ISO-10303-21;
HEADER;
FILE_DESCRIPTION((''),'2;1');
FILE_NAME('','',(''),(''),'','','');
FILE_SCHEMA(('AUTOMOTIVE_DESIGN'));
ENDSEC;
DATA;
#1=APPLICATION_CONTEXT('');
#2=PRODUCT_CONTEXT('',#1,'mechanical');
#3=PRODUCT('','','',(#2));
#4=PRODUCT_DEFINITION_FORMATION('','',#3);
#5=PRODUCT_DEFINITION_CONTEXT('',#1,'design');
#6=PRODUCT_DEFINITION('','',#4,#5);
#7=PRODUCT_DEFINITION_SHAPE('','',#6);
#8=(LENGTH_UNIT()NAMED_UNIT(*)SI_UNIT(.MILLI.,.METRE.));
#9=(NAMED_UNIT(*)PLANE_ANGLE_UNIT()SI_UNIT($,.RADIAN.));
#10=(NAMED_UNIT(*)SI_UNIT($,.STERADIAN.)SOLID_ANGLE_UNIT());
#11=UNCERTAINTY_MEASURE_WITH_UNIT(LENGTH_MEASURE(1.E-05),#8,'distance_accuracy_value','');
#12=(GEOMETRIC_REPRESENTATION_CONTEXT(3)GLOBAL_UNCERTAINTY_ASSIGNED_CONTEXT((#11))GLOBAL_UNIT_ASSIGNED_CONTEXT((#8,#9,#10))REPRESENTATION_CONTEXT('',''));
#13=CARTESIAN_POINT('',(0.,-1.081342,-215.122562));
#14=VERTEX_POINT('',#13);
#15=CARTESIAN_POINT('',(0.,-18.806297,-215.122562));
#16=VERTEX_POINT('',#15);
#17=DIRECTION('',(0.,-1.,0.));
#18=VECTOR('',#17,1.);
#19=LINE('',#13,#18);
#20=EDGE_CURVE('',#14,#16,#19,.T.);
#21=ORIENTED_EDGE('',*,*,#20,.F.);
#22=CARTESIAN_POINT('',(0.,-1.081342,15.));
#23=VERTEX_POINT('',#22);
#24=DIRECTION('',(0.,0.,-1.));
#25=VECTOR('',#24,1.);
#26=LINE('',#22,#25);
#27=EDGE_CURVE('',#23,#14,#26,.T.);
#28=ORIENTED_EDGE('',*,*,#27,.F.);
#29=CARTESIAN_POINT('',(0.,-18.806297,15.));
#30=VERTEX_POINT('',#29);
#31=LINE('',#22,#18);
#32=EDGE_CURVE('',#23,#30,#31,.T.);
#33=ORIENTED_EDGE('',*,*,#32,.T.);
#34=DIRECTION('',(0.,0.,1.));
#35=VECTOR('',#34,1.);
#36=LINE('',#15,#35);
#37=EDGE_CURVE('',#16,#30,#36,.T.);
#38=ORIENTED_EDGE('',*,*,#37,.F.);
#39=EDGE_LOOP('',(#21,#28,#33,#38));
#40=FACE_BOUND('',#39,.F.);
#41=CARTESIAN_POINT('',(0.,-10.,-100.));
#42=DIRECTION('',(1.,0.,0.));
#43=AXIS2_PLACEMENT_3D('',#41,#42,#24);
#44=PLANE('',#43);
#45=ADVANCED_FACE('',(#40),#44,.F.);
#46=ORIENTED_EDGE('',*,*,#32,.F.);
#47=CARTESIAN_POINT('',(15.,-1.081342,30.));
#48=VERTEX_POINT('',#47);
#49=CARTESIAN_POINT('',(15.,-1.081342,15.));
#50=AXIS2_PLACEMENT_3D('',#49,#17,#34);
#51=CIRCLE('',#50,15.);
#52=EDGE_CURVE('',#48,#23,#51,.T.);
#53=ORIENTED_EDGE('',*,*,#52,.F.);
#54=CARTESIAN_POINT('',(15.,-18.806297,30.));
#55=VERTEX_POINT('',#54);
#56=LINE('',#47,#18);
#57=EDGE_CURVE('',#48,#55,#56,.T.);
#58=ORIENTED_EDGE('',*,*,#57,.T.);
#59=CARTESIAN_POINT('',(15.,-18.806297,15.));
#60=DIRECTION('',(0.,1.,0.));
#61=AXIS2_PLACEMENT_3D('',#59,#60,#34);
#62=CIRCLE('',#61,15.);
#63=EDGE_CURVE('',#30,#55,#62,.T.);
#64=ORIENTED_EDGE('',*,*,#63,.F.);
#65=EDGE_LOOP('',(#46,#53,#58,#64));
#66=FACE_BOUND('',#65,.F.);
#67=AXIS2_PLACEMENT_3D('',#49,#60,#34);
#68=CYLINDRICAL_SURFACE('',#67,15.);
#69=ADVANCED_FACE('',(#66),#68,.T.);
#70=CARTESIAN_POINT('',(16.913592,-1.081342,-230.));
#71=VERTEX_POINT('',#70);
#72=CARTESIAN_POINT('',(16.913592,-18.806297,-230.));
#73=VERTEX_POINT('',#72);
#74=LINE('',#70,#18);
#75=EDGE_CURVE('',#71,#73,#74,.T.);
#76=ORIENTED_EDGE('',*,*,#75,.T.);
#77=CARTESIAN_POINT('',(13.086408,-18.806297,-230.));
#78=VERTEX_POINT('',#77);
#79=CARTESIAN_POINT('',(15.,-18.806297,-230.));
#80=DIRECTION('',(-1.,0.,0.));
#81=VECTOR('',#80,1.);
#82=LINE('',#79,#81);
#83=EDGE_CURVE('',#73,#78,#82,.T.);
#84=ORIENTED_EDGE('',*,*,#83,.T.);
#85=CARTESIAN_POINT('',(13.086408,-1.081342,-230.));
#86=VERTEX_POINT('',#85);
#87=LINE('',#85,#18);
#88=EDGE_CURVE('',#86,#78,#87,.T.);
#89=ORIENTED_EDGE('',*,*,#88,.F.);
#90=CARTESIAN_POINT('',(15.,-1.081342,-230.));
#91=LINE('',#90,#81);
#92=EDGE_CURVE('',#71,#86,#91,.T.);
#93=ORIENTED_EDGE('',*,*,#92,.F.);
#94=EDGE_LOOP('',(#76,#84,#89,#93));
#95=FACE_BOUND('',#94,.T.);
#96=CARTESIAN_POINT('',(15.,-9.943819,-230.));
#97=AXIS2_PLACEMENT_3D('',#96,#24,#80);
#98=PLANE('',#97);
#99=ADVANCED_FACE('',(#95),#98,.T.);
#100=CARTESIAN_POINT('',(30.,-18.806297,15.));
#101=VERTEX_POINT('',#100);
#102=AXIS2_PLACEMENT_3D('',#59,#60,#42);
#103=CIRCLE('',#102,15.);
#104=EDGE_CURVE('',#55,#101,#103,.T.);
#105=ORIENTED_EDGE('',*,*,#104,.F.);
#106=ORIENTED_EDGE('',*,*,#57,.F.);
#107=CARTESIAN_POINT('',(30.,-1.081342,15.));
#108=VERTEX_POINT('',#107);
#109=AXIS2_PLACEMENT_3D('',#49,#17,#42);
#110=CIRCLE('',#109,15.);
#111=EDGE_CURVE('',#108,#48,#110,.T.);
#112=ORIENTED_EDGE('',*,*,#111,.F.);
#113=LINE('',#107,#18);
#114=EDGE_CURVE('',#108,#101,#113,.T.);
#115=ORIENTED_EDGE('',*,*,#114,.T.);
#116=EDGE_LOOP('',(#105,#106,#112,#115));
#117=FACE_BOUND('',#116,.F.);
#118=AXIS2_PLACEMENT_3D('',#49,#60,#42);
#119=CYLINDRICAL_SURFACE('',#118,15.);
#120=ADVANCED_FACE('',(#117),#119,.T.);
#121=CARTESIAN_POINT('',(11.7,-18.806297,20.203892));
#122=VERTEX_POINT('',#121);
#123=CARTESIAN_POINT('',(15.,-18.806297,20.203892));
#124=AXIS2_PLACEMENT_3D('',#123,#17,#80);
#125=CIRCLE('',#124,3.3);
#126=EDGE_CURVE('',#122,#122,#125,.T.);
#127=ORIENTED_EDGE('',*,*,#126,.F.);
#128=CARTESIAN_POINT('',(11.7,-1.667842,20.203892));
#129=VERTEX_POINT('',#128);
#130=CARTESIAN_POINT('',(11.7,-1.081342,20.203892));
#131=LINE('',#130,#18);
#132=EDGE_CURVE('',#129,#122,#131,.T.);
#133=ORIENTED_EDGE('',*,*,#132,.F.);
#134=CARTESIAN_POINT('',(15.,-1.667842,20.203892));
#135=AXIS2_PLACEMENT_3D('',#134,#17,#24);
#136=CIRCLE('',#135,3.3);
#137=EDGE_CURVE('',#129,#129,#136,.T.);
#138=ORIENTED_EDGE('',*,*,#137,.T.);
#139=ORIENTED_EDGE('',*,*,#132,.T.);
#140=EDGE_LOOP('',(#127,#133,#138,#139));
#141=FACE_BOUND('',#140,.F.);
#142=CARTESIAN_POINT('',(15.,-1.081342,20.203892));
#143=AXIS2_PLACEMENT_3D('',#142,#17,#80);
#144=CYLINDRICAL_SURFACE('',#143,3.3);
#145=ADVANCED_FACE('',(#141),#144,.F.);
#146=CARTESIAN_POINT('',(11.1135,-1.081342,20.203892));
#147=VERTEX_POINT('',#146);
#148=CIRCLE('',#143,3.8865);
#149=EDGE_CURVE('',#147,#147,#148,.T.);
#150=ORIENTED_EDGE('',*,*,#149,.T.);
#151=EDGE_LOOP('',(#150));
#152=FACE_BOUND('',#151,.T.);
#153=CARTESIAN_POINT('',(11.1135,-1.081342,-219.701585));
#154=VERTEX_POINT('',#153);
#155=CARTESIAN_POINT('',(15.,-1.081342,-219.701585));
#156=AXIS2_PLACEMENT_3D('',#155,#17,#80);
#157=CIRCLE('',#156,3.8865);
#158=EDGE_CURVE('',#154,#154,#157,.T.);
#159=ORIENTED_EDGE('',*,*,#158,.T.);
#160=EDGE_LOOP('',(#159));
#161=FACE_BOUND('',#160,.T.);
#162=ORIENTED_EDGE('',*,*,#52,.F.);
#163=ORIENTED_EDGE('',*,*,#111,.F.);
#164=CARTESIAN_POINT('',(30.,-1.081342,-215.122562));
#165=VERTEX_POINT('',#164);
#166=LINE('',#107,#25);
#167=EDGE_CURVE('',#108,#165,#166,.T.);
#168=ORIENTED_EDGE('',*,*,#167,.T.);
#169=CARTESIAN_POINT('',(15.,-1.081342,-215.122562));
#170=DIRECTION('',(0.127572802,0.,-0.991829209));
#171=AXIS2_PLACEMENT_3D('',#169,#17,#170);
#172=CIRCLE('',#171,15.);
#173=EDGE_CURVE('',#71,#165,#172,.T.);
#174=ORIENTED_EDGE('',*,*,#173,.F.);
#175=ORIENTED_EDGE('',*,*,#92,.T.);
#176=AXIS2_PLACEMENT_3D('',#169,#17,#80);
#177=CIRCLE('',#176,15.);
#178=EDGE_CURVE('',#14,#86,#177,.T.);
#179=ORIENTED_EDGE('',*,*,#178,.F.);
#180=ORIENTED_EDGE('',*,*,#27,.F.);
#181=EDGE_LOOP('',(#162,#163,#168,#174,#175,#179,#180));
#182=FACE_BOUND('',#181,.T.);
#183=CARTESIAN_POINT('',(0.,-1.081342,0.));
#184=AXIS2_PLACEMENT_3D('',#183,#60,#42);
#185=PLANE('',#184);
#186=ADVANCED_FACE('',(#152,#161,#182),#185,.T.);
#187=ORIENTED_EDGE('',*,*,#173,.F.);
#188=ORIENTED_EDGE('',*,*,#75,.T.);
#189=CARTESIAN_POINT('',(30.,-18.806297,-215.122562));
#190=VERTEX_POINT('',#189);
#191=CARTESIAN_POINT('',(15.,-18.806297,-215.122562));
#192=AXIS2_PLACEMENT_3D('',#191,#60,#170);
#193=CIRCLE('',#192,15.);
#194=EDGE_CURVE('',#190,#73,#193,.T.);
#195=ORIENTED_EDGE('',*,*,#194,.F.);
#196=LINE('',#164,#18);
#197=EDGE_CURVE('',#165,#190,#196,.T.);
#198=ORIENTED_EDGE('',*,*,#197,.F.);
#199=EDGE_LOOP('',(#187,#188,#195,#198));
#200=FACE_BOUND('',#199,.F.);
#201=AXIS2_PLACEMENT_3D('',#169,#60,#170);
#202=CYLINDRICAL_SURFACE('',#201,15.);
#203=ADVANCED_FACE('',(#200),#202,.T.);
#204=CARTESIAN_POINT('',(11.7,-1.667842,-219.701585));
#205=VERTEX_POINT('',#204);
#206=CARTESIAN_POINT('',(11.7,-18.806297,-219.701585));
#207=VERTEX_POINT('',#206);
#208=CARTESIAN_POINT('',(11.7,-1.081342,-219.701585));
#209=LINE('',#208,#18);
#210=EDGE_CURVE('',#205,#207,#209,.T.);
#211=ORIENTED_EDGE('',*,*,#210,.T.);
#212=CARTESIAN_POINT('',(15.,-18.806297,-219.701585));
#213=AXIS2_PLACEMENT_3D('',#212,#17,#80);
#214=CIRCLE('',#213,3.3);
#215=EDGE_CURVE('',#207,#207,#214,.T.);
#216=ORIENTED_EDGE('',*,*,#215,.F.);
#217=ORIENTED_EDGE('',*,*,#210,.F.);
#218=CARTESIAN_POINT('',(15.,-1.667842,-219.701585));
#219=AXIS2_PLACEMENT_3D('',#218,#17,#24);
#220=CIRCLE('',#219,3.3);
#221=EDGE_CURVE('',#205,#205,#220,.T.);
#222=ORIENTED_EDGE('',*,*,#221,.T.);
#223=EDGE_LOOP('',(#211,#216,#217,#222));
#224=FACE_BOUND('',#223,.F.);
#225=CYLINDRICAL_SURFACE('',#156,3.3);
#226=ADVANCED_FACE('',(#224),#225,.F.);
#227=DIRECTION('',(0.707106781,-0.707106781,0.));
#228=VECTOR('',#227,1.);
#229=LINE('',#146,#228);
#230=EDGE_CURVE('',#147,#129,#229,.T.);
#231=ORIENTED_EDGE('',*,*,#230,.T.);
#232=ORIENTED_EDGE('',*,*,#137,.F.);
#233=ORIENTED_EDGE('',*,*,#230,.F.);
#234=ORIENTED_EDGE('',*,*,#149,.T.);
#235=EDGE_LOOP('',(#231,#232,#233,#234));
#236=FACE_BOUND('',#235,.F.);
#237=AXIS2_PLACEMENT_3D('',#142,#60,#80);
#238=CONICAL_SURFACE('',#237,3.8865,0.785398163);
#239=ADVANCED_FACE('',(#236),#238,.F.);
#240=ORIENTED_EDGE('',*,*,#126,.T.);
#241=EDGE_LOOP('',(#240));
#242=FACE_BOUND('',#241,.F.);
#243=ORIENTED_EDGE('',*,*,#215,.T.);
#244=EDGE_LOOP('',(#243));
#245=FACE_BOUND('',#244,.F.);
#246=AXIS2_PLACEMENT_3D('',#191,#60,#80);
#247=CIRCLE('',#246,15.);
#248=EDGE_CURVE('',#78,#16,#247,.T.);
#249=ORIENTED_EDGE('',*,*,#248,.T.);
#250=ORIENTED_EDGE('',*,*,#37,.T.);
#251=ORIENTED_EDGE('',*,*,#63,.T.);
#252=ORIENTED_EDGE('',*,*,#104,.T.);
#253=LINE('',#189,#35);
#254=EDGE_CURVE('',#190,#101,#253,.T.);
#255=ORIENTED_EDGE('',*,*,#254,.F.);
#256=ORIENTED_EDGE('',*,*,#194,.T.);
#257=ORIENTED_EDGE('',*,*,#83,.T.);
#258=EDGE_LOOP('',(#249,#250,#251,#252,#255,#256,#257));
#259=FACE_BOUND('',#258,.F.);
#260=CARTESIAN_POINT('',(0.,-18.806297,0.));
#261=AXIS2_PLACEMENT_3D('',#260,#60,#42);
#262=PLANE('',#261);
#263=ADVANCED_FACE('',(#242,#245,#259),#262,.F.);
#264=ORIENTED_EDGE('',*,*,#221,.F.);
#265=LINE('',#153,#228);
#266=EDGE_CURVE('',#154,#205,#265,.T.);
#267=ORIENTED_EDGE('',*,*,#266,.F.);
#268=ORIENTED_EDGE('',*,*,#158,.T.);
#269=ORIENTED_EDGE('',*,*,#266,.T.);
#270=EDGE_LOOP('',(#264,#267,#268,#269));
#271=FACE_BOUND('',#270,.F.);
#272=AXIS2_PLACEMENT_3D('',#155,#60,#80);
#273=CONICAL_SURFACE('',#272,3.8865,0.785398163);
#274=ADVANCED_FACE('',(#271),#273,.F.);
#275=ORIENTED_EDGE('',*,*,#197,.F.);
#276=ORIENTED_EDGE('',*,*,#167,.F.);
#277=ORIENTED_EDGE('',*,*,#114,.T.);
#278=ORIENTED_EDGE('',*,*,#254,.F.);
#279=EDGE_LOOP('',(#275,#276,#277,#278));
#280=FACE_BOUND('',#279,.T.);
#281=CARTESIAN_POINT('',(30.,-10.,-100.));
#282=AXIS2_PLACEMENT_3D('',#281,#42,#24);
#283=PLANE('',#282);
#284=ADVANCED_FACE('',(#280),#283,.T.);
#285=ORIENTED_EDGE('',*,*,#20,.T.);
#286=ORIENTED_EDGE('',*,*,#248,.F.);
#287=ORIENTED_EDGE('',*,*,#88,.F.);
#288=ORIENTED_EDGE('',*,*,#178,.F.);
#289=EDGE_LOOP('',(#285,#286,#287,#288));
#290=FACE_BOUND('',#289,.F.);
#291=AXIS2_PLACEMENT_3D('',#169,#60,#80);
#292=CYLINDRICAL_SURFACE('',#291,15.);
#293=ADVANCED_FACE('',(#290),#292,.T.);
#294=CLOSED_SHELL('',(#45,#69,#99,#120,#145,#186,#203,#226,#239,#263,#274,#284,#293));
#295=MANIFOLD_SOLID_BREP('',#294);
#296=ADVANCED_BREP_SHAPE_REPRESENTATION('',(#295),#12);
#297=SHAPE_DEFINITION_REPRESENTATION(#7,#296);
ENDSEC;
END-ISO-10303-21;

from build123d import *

# Parameters (mm, degrees)
SKETCH_1_W                      = 200
SKETCH_1_H                      = 20
EXTRUDE_1_DEPTH                 = 30
SKETCH_3_W                      = 30
SKETCH_3_H                      = 17.724954358
EXTRUDE_2_DEPTH                 = 30
EXTRUDE_2_DEPTH_BACK            = 1
CUT_EXTRUDE_1_DEPTH             = 18
HOLE_WIZARD_G1_16_1_D           = 6.6
HOLE_WIZARD_G1_16_1_DEPTH       = 17.724954357
HOLE_WIZARD_G1_16_1_CSINK_D     = 7.773
HOLE_WIZARD_G1_16_1_CSINK_ANGLE = 90
SKETCH_9_W                      = 30
SKETCH_9_H                      = 17.724954358
EXTRUDE_3_DEPTH                 = 30
CUT_EXTRUDE_2_DEPTH             = 30
HOLE_WIZARD_G1_16_2_D           = 6.6
HOLE_WIZARD_G1_16_2_DEPTH       = 17.724954357
HOLE_WIZARD_G1_16_2_CSINK_D     = 7.773
HOLE_WIZARD_G1_16_2_CSINK_ANGLE = 90
SKETCH_14_W                     = 30
SKETCH_14_H                     = 1.0813423
SKETCH_14_H_2                   = 1.193703342
CUT_EXTRUDE_3_DEPTH             = 215


with BuildPart() as part:
    # 草图1 → 凸台-拉伸1 (new body)
    with BuildSketch(Plane(origin=(0, 0, 0), x_dir=(0, 0, -1), z_dir=(1, 0, 0))):
        with Locations((100, -10)):
            Rectangle(SKETCH_1_W, SKETCH_1_H)
    extrude(amount=EXTRUDE_1_DEPTH)

    # 草图3 → 凸台-拉伸2 (add, two sides)
    with BuildSketch(Plane.XY) as extrude_2_sk:
        with Locations((15, -9.943819479)):
            Rectangle(SKETCH_3_W, SKETCH_3_H)
    extrude(amount=EXTRUDE_2_DEPTH)
    extrude(extrude_2_sk.sketch, amount=-EXTRUDE_2_DEPTH_BACK)

    # 草图5 → 切除-拉伸1 (cut)
    with BuildSketch(Plane(origin=(0, -1.0813423, 0), x_dir=(1, 0, 0), z_dir=(0, 1, 0))):
        with BuildLine():
            ThreePointArc((15, -30), (4.393398282, -25.606601718), (0, -15))
            Line((0, -15), (0, -30))
            Line((0, -30), (15, -30))
        make_face()
        with BuildLine():
            Line((30, -30), (30, -15))
            ThreePointArc((30, -15), (25.606601718, -25.606601718), (15, -30))
            Line((15, -30), (30, -30))
        make_face()
    extrude(amount=-CUT_EXTRUDE_1_DEPTH, mode=Mode.SUBTRACT)

    # G1/16 螺纹孔1
    with Locations(Plane(origin=(0, -1.0813423, 0), x_dir=(1, 0, 0), z_dir=(0, 1, 0))):
        with Locations((15, -20.203891656)):
            CounterSinkHole(HOLE_WIZARD_G1_16_1_D / 2, HOLE_WIZARD_G1_16_1_CSINK_D / 2, depth=HOLE_WIZARD_G1_16_1_DEPTH, counter_sink_angle=HOLE_WIZARD_G1_16_1_CSINK_ANGLE)

    # 草图9 → 凸台-拉伸3 (add)
    with BuildSketch(Plane(origin=(0, 0, -200), x_dir=(-1, 0, 0), z_dir=(0, 0, -1))):
        with Locations((-15, -9.943819479)):
            Rectangle(SKETCH_9_W, SKETCH_9_H)
    extrude(amount=EXTRUDE_3_DEPTH)

    # 草图10 → 切除-拉伸2 (cut)
    with BuildSketch(Plane(origin=(0, -1.0813423, 0), x_dir=(1, 0, 0), z_dir=(0, 1, 0))):
        with BuildLine():
            Line((0, 230), (0, 215.122561862))
            ThreePointArc((0, 215.122561862), (3.737143337, 225.029532125), (13.086407972, 230))
            Line((13.086407972, 230), (0, 230))
        make_face()
        with BuildLine():
            ThreePointArc((16.913592028, 230), (26.262856663, 225.029532125), (30, 215.122561862))
            Line((30, 215.122561862), (30, 230))
            Line((30, 230), (16.913592028, 230))
        make_face()
    extrude(amount=-CUT_EXTRUDE_2_DEPTH, mode=Mode.SUBTRACT)

    # G1/16 螺纹孔2
    with Locations(Plane(origin=(0, -1.0813423, 0), x_dir=(1, 0, 0), z_dir=(0, 1, 0))):
        with Locations((15, 219.701584922)):
            CounterSinkHole(HOLE_WIZARD_G1_16_2_D / 2, HOLE_WIZARD_G1_16_2_CSINK_D / 2, depth=HOLE_WIZARD_G1_16_2_DEPTH, counter_sink_angle=HOLE_WIZARD_G1_16_2_CSINK_ANGLE)

    # 草图14 → 切除-拉伸3 (cut)
    with BuildSketch(Plane.XY):
        with Locations((15, -0.54067115)):
            Rectangle(SKETCH_14_W, SKETCH_14_H)
        with Locations((15, -19.403148329)):
            Rectangle(SKETCH_14_W, SKETCH_14_H_2)
    extrude(amount=-CUT_EXTRUDE_3_DEPTH, mode=Mode.SUBTRACT)


solid = part.part
